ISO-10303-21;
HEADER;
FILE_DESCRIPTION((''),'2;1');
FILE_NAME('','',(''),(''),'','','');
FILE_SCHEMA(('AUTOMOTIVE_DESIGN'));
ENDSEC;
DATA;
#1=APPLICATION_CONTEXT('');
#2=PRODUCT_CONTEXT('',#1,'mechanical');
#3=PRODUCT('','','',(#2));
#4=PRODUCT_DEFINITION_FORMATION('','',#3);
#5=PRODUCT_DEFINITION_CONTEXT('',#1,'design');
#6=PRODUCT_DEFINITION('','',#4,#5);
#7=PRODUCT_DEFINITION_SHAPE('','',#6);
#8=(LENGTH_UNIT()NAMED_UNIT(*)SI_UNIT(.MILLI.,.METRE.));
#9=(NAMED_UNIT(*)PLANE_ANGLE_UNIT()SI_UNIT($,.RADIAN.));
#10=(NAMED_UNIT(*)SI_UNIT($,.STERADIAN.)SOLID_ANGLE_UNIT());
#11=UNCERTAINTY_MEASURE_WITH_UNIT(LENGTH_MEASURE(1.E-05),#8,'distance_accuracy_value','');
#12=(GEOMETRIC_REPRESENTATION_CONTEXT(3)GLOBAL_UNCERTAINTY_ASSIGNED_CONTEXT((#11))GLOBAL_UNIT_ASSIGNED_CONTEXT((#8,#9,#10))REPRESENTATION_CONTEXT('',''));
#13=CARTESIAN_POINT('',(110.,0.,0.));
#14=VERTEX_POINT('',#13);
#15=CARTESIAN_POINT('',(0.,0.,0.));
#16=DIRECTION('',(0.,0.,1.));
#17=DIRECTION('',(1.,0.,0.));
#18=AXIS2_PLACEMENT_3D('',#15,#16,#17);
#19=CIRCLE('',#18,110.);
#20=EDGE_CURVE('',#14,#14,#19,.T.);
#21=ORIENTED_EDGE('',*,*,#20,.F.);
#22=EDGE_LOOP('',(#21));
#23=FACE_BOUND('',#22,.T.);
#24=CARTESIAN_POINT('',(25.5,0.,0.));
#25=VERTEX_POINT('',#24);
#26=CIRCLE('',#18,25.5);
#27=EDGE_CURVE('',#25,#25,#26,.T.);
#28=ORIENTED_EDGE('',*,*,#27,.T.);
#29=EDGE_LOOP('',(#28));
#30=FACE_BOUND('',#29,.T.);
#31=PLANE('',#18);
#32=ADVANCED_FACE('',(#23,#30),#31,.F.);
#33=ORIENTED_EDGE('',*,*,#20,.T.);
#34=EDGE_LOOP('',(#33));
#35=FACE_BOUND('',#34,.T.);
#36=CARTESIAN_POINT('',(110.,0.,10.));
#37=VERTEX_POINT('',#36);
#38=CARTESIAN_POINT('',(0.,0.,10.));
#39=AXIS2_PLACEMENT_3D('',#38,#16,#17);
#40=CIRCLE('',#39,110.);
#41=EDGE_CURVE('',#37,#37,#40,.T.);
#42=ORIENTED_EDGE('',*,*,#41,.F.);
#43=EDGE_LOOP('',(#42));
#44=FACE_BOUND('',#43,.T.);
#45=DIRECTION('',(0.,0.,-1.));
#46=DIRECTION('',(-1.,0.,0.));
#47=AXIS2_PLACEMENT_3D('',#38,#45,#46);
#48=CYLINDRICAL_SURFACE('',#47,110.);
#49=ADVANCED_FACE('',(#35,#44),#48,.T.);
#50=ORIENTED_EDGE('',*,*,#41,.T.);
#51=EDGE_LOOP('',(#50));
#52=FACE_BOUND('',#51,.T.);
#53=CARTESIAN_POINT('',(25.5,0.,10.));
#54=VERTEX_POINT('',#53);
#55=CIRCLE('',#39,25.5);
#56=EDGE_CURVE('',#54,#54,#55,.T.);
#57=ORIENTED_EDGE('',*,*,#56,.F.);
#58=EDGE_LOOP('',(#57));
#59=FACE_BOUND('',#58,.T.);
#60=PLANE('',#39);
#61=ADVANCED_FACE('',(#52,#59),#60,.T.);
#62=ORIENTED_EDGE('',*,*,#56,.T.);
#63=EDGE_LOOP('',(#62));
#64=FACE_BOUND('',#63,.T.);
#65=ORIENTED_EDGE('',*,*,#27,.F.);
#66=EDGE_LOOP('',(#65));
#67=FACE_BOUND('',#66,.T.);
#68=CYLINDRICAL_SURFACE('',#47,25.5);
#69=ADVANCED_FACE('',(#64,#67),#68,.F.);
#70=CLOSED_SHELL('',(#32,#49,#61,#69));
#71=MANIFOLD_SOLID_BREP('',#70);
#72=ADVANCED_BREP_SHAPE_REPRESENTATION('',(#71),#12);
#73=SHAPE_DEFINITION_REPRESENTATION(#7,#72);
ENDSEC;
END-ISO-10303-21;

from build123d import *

# Parameters (mm, degrees)
ESQUISSE1_R        = 110
ESQUISSE1_R_2      = 25.5
BOSS_EXTRU_1_DEPTH = 10


with BuildPart() as part:
    # Esquisse1 → Boss.-Extru.1 (new body)
    with BuildSketch(Plane.XY):
        Circle(ESQUISSE1_R)
        Circle(ESQUISSE1_R_2, mode=Mode.SUBTRACT)
    extrude(amount=BOSS_EXTRU_1_DEPTH)


solid = part.part
